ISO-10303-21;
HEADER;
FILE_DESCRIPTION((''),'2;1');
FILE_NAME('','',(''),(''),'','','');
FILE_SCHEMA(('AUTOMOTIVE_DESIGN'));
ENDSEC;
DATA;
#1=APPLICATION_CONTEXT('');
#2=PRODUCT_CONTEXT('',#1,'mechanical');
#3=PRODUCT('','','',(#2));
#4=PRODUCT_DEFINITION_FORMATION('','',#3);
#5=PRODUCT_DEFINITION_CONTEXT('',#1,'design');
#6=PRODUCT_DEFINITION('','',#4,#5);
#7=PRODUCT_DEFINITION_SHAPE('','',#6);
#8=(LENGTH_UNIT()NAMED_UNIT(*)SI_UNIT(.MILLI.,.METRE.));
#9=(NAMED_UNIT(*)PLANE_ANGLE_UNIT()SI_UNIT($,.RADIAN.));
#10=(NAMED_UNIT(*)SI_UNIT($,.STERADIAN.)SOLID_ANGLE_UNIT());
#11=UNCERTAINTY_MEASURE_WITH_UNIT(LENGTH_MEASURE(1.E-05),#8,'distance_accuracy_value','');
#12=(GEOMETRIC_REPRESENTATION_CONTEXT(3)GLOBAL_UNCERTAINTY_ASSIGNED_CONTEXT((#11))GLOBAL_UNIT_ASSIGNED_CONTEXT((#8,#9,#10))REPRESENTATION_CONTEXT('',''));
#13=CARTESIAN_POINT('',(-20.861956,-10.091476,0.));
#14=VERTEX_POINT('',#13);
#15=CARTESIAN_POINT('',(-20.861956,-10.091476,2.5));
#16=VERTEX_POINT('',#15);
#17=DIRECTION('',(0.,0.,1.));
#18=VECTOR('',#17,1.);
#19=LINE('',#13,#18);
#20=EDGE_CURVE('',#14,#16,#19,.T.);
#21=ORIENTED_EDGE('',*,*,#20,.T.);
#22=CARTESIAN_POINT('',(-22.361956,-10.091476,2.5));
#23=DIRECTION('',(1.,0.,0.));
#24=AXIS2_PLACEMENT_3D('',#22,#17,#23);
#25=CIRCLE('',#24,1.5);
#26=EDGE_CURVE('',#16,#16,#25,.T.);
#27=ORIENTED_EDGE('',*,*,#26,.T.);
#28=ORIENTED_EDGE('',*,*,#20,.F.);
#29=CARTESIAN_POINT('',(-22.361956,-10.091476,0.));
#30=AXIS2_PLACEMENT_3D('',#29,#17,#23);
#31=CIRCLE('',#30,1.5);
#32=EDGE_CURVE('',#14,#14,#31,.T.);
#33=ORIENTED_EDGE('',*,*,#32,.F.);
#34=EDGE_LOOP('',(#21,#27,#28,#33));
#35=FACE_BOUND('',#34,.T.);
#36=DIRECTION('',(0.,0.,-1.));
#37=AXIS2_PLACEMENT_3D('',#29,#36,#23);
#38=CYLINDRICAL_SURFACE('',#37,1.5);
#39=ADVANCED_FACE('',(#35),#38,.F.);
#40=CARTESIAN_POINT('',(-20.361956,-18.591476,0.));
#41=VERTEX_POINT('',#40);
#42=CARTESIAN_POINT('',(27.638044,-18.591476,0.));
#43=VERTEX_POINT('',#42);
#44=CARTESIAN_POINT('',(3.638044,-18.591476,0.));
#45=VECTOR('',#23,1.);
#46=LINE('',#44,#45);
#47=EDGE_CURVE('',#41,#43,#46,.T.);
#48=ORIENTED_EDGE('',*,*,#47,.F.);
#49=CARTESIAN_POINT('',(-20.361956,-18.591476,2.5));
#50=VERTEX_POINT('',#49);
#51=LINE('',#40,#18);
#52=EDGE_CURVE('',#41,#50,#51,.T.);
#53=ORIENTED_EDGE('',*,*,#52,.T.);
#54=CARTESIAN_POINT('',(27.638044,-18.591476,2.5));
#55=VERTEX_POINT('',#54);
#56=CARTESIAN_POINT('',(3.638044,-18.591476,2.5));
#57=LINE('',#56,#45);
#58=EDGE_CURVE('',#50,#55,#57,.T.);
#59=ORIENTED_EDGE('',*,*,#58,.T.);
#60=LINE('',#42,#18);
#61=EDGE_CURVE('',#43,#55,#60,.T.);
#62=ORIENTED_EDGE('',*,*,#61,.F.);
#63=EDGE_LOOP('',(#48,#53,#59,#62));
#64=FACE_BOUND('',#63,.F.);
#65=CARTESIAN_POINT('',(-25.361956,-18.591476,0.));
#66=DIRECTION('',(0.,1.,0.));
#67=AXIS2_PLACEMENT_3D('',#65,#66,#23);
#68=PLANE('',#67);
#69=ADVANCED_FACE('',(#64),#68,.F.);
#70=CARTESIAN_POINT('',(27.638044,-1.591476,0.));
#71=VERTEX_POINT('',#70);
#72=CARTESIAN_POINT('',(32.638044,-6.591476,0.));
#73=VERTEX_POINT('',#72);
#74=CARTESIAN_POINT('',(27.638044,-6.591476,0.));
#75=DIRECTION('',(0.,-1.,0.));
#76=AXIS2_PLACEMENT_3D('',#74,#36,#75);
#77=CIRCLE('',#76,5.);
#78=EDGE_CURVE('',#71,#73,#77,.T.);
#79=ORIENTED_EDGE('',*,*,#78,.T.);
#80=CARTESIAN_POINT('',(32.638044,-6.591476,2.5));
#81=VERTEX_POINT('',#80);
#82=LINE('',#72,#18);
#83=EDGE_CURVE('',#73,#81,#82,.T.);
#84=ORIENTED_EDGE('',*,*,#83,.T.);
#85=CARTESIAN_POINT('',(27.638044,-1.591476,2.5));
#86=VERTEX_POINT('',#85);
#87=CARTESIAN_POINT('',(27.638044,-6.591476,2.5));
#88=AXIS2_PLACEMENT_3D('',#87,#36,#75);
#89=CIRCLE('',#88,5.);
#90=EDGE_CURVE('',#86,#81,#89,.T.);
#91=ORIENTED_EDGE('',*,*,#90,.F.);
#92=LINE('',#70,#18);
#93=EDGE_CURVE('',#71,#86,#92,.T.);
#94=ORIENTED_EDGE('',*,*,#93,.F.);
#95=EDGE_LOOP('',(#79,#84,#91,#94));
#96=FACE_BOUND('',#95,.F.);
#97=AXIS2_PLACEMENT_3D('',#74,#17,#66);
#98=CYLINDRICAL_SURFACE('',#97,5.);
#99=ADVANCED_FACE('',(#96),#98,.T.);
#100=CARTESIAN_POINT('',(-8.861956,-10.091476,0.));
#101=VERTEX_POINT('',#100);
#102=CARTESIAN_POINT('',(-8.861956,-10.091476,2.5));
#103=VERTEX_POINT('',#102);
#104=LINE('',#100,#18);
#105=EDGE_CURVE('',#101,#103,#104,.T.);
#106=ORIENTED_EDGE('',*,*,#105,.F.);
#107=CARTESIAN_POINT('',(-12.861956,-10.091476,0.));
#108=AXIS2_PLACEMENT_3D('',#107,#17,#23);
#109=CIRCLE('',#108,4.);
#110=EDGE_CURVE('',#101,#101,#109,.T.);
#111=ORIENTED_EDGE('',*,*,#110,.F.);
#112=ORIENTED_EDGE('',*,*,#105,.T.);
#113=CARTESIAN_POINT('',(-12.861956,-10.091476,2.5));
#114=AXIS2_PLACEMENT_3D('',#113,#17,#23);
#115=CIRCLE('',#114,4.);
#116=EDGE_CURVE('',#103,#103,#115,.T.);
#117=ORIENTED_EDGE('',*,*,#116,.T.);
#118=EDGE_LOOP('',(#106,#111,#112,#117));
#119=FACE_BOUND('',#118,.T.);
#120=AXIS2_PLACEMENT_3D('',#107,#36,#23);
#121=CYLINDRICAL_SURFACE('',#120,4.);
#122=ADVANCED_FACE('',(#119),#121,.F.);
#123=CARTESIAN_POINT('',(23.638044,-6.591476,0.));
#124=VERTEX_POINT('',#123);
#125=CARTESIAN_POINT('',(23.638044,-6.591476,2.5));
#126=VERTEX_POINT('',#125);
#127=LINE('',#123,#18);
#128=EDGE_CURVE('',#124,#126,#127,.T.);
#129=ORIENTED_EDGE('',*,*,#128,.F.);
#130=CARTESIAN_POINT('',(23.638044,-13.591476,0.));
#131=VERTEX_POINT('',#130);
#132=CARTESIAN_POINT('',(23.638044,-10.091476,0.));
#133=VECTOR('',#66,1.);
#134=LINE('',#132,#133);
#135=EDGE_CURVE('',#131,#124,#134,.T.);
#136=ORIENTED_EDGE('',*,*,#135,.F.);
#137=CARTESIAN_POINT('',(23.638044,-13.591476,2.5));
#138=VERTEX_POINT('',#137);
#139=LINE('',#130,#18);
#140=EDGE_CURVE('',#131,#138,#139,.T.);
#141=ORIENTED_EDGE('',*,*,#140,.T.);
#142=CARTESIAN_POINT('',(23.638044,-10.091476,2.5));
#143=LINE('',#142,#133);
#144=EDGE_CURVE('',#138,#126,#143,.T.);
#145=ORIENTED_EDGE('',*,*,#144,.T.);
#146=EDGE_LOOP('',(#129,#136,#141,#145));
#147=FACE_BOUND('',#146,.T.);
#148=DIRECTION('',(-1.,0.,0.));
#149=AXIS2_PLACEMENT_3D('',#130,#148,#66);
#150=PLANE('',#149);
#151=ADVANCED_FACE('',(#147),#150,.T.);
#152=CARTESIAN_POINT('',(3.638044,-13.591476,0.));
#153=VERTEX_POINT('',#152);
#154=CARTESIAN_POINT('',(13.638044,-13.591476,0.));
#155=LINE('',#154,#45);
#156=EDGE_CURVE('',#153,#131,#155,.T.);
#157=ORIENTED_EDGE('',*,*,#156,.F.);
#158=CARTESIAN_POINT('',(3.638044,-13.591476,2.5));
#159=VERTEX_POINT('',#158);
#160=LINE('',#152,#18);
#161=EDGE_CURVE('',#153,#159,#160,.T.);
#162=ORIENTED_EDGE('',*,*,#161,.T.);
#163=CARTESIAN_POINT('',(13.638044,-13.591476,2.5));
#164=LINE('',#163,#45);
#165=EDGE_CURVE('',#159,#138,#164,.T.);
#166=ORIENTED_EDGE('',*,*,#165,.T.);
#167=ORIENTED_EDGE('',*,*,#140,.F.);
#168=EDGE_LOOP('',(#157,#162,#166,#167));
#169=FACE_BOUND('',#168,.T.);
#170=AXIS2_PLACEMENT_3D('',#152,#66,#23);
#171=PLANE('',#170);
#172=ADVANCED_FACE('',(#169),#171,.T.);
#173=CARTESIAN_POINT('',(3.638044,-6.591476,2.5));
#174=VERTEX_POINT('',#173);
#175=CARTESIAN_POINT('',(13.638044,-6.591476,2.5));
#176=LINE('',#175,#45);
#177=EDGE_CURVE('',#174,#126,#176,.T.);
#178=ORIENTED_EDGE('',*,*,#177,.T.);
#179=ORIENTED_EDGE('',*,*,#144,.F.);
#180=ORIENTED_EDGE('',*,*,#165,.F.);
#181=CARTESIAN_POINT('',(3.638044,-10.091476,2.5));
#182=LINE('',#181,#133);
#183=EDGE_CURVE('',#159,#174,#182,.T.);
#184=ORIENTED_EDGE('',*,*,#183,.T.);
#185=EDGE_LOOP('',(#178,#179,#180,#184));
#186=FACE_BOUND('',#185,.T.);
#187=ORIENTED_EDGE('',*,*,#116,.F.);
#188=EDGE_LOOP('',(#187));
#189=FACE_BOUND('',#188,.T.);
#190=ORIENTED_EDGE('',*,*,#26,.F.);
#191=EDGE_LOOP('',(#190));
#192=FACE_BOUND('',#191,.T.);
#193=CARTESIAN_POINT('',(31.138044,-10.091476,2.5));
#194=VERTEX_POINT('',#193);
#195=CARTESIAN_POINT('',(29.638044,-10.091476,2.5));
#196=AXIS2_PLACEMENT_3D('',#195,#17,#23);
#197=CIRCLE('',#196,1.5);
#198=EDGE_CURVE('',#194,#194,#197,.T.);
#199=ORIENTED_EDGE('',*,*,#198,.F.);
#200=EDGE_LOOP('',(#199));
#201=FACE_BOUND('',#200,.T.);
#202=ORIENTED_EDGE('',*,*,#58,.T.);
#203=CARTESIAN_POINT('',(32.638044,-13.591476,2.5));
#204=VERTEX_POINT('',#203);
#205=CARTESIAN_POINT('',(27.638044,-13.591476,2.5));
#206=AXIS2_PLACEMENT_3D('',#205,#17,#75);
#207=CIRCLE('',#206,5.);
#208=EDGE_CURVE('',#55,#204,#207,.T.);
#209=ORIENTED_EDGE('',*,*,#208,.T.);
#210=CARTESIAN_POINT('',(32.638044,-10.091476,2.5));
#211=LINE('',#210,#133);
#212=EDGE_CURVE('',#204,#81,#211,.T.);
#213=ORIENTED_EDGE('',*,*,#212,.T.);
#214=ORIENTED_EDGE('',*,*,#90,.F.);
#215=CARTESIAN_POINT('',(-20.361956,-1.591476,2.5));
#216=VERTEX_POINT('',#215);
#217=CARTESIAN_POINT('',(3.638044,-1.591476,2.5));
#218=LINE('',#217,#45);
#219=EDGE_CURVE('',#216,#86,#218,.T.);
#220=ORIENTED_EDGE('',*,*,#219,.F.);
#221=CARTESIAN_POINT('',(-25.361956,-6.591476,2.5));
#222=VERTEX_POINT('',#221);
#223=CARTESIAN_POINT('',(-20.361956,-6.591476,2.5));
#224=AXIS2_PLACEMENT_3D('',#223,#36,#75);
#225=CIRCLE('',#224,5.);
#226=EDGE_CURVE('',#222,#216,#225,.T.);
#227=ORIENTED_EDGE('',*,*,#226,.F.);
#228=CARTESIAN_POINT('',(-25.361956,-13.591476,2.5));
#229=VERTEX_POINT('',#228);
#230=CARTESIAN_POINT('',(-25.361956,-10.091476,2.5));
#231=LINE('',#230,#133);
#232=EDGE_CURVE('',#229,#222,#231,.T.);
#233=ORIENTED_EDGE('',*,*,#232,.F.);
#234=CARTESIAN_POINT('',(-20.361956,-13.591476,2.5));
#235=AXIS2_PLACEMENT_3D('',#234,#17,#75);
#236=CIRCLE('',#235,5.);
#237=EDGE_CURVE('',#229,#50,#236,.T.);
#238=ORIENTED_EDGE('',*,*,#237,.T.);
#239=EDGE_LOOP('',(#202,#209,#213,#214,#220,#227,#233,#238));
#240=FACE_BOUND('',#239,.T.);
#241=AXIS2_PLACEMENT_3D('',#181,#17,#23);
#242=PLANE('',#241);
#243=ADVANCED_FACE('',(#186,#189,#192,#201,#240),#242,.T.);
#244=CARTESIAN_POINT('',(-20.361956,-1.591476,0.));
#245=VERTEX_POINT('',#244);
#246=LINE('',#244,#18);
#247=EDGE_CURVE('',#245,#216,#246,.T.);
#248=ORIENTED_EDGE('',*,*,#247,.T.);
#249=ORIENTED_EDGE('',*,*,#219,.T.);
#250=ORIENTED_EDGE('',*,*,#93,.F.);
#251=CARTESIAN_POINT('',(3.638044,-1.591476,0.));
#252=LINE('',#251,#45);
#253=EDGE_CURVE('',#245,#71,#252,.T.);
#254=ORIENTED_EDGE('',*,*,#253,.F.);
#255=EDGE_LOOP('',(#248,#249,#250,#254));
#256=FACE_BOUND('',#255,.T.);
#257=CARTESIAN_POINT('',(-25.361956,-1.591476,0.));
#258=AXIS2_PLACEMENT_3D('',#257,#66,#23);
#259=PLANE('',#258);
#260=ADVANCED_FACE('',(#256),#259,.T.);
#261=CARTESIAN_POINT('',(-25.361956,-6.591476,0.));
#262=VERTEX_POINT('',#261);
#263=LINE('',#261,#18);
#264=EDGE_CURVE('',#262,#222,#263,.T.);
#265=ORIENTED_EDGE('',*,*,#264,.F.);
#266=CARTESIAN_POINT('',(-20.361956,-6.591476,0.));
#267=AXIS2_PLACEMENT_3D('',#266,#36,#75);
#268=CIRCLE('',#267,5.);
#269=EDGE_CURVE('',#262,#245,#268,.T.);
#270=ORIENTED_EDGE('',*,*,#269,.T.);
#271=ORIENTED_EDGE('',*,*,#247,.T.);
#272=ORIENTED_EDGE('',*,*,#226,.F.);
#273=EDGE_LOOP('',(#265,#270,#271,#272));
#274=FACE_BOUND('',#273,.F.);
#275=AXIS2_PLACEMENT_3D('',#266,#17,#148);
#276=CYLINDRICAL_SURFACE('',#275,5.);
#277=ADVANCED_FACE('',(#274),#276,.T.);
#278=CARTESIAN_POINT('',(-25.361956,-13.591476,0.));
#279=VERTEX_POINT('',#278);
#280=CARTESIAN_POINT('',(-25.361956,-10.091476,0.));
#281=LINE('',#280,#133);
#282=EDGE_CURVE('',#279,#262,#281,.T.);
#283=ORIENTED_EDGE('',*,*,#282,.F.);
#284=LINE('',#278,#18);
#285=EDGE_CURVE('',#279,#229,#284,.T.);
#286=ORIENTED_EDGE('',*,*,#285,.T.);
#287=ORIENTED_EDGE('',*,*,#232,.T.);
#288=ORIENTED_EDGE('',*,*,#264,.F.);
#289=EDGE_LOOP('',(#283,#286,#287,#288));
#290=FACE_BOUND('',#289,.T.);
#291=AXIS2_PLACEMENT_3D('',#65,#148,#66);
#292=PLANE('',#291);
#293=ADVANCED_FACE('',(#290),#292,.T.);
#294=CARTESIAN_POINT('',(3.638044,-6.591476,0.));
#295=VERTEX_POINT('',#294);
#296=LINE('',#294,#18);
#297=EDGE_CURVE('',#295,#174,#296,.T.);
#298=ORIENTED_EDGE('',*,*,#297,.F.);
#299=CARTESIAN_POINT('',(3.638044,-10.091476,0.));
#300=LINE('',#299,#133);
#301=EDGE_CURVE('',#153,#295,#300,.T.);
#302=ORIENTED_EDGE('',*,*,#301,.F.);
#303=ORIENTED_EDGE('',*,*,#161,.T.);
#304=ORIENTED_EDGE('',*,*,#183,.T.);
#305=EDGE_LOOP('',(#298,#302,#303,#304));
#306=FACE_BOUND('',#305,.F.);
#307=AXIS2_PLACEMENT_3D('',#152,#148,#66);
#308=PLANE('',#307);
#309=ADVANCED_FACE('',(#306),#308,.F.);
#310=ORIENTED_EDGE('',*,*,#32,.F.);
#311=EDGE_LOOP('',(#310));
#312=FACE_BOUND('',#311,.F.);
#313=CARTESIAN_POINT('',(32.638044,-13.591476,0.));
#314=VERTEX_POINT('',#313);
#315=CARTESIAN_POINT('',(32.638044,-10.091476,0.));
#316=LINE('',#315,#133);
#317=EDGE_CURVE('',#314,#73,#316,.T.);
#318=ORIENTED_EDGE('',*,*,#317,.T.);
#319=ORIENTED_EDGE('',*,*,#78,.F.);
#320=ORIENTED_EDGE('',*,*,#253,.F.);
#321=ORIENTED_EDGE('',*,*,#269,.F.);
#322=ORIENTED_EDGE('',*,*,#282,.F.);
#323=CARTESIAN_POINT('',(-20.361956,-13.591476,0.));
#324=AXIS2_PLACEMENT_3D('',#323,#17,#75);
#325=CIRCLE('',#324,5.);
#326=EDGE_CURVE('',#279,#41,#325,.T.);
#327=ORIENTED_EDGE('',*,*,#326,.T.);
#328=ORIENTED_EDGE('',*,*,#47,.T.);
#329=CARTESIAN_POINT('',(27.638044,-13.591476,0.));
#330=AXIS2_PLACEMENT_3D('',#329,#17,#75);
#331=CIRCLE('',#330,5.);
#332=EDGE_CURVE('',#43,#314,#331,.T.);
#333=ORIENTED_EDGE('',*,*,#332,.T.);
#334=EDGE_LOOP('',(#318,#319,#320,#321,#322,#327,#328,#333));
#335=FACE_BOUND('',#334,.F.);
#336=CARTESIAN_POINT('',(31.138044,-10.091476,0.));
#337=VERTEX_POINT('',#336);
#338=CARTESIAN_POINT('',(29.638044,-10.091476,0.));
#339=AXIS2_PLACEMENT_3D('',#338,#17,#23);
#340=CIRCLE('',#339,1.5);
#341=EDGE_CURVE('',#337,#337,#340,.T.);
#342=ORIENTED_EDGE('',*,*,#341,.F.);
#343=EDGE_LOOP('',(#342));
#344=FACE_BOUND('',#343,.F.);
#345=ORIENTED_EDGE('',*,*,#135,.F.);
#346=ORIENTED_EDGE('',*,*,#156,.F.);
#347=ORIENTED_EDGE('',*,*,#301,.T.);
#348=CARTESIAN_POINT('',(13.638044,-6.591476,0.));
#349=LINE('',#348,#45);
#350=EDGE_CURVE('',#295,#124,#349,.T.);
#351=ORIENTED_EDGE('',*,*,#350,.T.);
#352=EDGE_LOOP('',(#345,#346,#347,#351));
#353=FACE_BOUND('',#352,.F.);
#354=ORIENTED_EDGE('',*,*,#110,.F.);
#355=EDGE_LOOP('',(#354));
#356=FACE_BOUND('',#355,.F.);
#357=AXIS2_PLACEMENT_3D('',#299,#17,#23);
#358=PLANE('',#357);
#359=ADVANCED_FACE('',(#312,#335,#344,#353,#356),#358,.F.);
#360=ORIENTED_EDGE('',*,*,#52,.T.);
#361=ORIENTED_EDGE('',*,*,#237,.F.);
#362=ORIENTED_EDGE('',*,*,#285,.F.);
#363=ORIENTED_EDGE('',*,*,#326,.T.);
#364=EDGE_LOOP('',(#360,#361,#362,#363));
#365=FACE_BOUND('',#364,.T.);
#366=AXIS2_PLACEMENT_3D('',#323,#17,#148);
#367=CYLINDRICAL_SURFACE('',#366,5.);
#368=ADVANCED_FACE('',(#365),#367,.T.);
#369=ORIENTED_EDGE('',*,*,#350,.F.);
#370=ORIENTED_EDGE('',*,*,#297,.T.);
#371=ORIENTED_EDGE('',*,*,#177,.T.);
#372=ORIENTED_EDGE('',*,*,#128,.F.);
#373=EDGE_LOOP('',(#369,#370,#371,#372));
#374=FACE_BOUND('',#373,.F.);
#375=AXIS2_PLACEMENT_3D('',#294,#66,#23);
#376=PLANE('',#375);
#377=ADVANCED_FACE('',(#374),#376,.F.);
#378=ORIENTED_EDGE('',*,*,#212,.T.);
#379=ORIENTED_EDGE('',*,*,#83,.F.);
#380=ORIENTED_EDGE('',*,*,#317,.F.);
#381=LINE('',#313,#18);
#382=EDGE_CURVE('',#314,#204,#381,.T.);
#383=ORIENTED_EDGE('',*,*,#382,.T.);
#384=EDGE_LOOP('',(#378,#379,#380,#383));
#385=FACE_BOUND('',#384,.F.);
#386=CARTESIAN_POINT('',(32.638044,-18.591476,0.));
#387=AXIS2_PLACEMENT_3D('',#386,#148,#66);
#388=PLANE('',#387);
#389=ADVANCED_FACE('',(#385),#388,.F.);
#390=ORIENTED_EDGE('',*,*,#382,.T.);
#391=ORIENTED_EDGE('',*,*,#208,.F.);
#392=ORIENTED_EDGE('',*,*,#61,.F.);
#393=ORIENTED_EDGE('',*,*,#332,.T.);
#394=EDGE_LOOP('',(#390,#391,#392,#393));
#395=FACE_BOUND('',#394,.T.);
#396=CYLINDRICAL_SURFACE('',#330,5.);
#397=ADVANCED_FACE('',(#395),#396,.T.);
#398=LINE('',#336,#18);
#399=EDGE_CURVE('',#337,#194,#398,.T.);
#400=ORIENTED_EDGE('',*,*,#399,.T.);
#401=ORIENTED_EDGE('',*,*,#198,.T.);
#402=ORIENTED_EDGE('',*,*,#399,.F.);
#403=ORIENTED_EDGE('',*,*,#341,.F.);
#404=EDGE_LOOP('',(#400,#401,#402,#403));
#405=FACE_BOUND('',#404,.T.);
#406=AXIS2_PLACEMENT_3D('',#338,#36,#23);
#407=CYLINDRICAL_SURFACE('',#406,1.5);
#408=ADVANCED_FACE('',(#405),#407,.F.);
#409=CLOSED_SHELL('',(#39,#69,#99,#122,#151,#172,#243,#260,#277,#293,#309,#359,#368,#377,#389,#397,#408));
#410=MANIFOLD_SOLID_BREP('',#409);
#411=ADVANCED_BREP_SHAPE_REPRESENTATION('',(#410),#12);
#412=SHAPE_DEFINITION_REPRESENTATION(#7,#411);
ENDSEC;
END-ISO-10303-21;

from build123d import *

# Parameters (mm, degrees)
F0_W     = 58
F0_H     = 17
F0_R     = 1.5
F0_R_2   = 4
F0_W_2   = 20
F0_H_2   = 7
F1_DEPTH = 2.5
F2_R     = 5


with BuildPart() as f1:
    # F0 (on Top) → F1 (new body)
    with BuildSketch(Plane.XY):
        with Locations((3.638044, -10.091476)):
            Rectangle(F0_W, F0_H)
        with Locations((-22.361956, -10.091476)):
            Circle(F0_R, mode=Mode.SUBTRACT)
        with Locations((-12.861956, -10.091476)):
            Circle(F0_R_2, mode=Mode.SUBTRACT)
        with Locations((13.638044, -10.091476)):
            Rectangle(F0_W_2, F0_H_2, mode=Mode.SUBTRACT)
        with Locations((29.638044, -10.091476)):
            Circle(F0_R, mode=Mode.SUBTRACT)
    extrude(amount=F1_DEPTH)

    # F2
    f2_edges = [f1.edges().sort_by_distance(p)[0] for p in [
        (-25.361956, -1.591476, 1.25),
        (32.638044, -1.591476, 1.25),
        (-25.361956, -18.591476, 1.25),
        (32.638044, -18.591476, 1.25),
    ]]
    fillet(f2_edges, radius=F2_R)


solid = f1.part
